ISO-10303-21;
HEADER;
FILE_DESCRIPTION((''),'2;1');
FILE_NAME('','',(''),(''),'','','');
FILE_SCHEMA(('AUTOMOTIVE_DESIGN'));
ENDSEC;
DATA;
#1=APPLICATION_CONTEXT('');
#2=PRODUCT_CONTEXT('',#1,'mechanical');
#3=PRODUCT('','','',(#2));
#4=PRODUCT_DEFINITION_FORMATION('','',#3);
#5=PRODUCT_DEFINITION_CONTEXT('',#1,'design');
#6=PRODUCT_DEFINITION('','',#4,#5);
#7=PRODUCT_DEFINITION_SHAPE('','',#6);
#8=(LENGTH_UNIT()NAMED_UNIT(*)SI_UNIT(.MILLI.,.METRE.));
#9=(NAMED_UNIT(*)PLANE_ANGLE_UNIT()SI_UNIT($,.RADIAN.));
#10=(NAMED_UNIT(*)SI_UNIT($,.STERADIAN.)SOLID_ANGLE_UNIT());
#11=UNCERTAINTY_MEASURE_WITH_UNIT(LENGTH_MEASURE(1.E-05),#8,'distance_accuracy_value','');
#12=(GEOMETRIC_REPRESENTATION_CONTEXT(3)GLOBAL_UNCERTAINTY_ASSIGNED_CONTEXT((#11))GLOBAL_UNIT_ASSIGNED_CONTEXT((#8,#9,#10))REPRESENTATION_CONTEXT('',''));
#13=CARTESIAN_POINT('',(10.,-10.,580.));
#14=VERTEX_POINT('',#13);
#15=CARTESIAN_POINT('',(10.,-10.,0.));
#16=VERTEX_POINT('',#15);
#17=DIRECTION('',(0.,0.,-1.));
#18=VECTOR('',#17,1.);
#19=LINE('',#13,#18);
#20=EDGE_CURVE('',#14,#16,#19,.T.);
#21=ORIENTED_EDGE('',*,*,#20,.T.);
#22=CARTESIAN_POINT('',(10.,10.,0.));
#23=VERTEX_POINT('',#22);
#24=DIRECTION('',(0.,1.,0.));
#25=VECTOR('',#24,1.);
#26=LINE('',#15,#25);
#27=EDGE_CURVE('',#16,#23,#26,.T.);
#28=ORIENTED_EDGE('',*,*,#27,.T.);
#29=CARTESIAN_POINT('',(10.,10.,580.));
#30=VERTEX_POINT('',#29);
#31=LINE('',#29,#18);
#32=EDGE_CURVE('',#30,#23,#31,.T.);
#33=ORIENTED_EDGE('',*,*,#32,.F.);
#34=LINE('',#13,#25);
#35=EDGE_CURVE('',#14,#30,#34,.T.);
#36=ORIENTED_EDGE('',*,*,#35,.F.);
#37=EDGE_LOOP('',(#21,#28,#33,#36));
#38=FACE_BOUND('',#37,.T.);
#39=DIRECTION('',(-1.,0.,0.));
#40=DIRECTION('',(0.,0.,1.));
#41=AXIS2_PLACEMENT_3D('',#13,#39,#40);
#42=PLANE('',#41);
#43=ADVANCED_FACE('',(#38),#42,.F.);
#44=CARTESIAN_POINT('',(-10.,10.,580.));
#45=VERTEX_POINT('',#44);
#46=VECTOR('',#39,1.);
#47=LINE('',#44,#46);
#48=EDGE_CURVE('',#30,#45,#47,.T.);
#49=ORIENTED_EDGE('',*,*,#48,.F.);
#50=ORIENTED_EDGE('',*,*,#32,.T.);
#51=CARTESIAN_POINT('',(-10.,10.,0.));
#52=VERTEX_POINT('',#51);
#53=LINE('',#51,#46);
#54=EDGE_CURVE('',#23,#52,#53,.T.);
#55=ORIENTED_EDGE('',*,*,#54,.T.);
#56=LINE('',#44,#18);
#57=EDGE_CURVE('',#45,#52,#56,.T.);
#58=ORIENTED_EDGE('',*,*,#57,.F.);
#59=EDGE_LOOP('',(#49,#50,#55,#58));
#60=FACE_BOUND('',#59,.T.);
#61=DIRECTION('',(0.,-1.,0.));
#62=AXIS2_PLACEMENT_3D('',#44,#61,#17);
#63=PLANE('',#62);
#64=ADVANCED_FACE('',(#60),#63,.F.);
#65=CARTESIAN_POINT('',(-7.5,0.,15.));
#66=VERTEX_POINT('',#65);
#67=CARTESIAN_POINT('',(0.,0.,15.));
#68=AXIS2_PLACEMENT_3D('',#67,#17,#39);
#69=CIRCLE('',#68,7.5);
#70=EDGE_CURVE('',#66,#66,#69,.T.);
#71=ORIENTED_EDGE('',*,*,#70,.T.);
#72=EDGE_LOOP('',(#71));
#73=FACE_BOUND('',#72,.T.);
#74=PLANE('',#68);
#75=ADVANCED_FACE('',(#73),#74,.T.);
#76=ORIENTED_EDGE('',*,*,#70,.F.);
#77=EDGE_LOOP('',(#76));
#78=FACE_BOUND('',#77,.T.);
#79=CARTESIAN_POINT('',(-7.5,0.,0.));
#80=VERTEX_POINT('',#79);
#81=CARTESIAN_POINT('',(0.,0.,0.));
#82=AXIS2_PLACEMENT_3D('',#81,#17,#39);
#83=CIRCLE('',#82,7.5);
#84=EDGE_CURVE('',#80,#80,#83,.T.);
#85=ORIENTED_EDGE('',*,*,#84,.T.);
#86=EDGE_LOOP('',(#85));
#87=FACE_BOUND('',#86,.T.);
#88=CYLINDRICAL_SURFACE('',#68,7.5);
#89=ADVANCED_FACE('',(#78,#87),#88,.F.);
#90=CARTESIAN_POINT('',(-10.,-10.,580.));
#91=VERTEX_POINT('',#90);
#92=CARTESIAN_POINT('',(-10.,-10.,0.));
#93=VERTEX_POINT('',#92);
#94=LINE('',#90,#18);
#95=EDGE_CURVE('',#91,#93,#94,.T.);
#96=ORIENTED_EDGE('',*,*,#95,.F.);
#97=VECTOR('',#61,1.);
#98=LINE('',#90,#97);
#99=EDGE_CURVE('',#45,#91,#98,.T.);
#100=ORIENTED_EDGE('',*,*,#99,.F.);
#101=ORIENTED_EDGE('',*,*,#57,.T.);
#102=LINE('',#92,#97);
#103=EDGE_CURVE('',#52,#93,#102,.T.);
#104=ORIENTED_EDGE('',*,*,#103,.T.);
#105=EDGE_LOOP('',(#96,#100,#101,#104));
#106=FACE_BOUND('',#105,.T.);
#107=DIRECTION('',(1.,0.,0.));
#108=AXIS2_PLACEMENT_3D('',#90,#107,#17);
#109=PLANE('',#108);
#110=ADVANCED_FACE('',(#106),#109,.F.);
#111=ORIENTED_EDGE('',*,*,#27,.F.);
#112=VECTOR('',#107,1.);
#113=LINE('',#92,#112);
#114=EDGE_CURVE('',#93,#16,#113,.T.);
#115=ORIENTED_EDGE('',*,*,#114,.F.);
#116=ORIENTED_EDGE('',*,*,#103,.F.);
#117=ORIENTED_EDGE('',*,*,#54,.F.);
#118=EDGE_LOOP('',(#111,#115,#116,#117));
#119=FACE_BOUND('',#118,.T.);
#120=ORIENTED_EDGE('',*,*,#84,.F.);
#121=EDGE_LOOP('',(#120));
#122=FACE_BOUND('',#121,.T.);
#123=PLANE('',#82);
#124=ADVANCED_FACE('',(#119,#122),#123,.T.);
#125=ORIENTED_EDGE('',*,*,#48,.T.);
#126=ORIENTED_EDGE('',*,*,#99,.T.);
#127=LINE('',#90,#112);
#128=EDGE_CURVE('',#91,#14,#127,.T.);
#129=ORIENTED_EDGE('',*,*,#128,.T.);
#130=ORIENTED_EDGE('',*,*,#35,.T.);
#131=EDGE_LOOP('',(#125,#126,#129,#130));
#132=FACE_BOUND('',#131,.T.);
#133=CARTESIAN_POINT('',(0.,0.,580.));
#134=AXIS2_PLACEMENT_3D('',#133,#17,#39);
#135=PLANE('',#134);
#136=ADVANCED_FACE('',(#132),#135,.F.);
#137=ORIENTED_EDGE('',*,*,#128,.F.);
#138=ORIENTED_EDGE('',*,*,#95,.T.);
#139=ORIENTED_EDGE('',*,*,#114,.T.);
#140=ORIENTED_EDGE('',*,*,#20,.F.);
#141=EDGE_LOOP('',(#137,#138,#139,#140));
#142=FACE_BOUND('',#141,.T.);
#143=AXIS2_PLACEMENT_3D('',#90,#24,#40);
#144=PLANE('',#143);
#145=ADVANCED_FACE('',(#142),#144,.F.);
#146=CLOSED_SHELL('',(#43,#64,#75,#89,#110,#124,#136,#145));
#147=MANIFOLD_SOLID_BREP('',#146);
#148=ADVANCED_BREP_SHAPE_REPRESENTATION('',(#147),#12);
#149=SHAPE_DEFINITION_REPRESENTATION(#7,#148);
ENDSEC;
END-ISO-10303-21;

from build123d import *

# Parameters (mm, degrees)
SKETCH_1_W          = 20
SKETCH_1_H          = 20
EXTRUDE_1_DEPTH     = 580
SKETCH_2_R          = 7.5
CUT_EXTRUDE_1_DEPTH = 15


with BuildPart() as part:
    # Эскиз1 → Бобышка-Вытянуть1 (new body)
    with BuildSketch(Plane.XY):
        Rectangle(SKETCH_1_W, SKETCH_1_H)
    extrude(amount=EXTRUDE_1_DEPTH)

    # Эскиз2 → Вырез-Вытянуть1 (cut)
    with BuildSketch(Plane(origin=(0, 0, 0), x_dir=(-1, 0, 0), z_dir=(0, 0, -1))):
        Circle(SKETCH_2_R)
    extrude(amount=-CUT_EXTRUDE_1_DEPTH, mode=Mode.SUBTRACT)


solid = part.part
